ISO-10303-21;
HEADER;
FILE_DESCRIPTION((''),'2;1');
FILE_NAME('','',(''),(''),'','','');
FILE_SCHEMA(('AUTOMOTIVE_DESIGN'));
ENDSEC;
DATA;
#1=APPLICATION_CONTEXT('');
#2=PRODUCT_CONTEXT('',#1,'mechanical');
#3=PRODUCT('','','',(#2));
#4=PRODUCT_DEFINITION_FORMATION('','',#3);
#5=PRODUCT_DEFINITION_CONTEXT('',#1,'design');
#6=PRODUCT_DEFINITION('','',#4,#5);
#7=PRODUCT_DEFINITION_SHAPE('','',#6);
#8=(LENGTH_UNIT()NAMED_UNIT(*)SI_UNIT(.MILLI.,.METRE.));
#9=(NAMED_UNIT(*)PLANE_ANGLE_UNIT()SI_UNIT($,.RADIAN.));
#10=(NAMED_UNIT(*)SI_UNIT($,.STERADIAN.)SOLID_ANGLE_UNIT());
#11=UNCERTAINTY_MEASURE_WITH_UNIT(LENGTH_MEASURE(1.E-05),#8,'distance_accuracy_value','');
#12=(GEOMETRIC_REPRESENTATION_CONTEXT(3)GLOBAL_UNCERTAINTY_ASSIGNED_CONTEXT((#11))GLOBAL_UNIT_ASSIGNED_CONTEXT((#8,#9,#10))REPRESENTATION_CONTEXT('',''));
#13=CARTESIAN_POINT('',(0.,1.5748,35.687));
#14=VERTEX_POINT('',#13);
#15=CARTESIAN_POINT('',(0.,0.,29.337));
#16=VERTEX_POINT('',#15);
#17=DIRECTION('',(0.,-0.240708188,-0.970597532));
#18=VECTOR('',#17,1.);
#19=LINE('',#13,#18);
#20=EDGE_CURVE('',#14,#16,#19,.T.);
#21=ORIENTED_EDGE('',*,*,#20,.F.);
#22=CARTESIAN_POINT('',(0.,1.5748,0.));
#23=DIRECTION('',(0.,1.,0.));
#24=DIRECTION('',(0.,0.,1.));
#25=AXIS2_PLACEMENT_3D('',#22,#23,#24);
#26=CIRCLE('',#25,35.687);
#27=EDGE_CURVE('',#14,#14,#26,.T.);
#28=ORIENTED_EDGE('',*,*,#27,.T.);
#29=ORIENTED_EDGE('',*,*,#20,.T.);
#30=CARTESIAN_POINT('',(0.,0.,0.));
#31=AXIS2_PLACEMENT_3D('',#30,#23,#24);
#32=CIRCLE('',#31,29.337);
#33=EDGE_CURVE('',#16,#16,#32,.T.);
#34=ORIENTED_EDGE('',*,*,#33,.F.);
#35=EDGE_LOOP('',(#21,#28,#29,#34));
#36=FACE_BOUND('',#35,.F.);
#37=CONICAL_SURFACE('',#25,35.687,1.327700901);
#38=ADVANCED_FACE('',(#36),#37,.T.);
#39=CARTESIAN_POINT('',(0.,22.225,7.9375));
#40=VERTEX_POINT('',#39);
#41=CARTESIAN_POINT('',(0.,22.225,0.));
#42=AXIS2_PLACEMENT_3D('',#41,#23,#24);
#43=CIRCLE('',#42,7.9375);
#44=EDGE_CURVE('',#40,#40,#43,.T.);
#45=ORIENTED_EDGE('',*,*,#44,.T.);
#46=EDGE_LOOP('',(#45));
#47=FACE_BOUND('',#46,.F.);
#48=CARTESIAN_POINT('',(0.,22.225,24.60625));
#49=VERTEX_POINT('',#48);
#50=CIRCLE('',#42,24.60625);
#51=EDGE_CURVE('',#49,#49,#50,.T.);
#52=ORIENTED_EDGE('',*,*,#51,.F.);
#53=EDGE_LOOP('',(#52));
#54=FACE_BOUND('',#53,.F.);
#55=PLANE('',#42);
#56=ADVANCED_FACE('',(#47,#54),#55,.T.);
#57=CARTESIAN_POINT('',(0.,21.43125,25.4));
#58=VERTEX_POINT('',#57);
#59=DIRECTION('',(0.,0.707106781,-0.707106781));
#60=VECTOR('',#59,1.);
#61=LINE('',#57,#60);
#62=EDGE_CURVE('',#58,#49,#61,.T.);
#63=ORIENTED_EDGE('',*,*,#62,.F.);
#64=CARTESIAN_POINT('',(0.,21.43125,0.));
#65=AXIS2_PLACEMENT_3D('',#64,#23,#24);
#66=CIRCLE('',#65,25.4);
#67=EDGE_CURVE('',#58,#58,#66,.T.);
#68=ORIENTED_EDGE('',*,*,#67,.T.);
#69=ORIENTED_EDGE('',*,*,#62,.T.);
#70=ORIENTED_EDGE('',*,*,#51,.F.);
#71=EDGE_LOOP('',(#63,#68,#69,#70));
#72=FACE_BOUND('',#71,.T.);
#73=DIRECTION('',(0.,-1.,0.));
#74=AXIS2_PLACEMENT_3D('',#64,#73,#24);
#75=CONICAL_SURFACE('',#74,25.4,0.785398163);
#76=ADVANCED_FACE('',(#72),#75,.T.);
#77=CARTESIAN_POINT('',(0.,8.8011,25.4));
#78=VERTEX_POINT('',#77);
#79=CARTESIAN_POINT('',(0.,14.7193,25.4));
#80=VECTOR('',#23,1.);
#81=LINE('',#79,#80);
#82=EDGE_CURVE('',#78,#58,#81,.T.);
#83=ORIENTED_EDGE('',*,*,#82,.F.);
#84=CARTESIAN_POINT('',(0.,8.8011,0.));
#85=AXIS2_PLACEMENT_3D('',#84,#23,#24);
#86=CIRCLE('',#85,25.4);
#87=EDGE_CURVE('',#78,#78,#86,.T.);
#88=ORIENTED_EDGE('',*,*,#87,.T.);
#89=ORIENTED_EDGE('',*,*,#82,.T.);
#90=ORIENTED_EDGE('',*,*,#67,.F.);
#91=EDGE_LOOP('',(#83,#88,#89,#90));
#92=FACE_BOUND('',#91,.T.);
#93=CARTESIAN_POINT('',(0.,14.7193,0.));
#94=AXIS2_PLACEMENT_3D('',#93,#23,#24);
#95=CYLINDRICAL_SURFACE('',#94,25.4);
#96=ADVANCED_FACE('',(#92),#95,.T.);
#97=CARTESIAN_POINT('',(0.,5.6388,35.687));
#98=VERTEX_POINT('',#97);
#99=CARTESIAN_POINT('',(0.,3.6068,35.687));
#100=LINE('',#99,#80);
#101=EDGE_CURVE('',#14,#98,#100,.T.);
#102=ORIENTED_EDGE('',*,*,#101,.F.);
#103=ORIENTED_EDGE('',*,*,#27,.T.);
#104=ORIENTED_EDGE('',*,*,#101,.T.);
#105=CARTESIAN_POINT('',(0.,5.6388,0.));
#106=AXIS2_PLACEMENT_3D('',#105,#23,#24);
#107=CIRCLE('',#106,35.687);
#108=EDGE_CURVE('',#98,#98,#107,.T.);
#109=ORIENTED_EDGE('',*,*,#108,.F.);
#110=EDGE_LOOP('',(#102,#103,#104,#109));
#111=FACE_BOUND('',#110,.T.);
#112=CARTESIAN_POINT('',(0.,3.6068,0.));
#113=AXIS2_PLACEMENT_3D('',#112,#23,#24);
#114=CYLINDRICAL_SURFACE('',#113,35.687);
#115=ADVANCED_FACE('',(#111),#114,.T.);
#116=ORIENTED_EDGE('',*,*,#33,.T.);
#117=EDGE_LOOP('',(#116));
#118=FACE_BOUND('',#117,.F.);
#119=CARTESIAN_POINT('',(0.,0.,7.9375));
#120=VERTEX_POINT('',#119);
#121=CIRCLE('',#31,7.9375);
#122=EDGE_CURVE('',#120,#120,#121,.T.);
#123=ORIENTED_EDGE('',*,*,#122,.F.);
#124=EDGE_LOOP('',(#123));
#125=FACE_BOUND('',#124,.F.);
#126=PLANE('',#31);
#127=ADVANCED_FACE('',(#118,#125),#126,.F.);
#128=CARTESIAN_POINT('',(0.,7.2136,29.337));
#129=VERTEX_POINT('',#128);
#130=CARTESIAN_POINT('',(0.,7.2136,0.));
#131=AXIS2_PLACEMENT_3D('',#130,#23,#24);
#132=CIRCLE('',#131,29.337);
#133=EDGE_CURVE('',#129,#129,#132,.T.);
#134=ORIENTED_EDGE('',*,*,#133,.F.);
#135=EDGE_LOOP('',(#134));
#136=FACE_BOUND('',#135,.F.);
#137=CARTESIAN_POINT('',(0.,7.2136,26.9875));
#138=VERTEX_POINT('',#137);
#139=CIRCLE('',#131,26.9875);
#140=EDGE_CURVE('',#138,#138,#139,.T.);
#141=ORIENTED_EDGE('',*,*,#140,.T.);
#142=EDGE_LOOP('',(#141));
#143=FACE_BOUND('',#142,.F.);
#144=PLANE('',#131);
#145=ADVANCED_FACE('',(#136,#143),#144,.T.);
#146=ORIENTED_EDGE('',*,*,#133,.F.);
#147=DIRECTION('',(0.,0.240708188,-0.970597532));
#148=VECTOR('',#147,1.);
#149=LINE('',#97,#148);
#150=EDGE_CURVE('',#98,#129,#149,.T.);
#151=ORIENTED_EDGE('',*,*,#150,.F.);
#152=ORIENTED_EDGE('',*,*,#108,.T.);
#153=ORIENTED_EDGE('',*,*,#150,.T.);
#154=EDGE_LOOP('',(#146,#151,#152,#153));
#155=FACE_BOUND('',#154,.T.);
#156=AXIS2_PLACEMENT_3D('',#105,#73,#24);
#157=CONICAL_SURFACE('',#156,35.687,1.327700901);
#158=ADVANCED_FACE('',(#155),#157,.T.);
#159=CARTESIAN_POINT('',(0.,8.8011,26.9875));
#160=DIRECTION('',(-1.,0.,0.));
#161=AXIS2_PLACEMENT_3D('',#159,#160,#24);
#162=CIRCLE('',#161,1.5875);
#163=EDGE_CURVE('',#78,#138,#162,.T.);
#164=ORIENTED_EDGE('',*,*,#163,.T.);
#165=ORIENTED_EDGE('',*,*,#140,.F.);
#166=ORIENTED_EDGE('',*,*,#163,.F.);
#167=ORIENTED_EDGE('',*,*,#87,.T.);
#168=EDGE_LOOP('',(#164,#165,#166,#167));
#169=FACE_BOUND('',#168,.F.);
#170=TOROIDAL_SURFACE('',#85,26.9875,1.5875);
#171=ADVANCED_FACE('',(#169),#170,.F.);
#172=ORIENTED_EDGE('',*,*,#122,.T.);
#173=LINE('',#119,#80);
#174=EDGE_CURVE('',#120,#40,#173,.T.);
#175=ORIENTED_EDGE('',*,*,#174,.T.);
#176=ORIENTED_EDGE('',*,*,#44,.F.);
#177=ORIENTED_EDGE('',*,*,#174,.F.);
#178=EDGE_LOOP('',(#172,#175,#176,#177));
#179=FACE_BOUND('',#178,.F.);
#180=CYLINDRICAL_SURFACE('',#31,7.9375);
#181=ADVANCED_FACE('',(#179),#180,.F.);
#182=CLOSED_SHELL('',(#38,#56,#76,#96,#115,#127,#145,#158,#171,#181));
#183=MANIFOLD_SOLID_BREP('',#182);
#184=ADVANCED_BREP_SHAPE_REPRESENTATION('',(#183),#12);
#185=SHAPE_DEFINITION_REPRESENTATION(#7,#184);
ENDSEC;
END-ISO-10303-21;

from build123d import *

# Parameters (mm, degrees)
F0_W     = 7.2136
F0_H     = 10.287
F0_H_2   = 17.4625
F0_W_2   = 15.0114
F2_R     = 1.5875
F3_SIZE  = 0.79375
F4_SIZE2 = 6.35
F4_SIZE  = 1.5748


with BuildPart() as f1:
    # F0 (on Right) → F1 (revolve)
    with BuildSketch(Plane.YZ):
        with Locations((3.6068, 30.5435)):
            Rectangle(F0_W, F0_H)
        with Locations((3.6068, 16.66875)):
            Rectangle(F0_W, F0_H_2)
        with Locations((14.7193, 16.66875)):
            Rectangle(F0_W_2, F0_H_2)
    revolve(axis=Axis((0, -8.7804167888, 0), (0, 1, 0)))

    # F2
    f2_edges = [f1.edges().sort_by_distance(p)[0] for p in [
        (0, 7.2136, -25.4),
    ]]
    fillet(f2_edges, radius=F2_R)

    # F3
    f3_edges = [f1.edges().sort_by_distance(p)[0] for p in [
        (0, 22.225, -25.4),
    ]]
    chamfer(f3_edges, length=F3_SIZE)

    # F4
    f4_edges = [f1.edges().sort_by_distance(p)[0] for p in [
        (0, 0, -35.687),
        (0, 7.2136, -35.687),
    ]]
    f4_side = f1.faces().sort_by_distance((0, 3.6068, -35.687))[0]
    chamfer(f4_edges, length=F4_SIZE, length2=F4_SIZE2, reference=f4_side)


solid = f1.part
